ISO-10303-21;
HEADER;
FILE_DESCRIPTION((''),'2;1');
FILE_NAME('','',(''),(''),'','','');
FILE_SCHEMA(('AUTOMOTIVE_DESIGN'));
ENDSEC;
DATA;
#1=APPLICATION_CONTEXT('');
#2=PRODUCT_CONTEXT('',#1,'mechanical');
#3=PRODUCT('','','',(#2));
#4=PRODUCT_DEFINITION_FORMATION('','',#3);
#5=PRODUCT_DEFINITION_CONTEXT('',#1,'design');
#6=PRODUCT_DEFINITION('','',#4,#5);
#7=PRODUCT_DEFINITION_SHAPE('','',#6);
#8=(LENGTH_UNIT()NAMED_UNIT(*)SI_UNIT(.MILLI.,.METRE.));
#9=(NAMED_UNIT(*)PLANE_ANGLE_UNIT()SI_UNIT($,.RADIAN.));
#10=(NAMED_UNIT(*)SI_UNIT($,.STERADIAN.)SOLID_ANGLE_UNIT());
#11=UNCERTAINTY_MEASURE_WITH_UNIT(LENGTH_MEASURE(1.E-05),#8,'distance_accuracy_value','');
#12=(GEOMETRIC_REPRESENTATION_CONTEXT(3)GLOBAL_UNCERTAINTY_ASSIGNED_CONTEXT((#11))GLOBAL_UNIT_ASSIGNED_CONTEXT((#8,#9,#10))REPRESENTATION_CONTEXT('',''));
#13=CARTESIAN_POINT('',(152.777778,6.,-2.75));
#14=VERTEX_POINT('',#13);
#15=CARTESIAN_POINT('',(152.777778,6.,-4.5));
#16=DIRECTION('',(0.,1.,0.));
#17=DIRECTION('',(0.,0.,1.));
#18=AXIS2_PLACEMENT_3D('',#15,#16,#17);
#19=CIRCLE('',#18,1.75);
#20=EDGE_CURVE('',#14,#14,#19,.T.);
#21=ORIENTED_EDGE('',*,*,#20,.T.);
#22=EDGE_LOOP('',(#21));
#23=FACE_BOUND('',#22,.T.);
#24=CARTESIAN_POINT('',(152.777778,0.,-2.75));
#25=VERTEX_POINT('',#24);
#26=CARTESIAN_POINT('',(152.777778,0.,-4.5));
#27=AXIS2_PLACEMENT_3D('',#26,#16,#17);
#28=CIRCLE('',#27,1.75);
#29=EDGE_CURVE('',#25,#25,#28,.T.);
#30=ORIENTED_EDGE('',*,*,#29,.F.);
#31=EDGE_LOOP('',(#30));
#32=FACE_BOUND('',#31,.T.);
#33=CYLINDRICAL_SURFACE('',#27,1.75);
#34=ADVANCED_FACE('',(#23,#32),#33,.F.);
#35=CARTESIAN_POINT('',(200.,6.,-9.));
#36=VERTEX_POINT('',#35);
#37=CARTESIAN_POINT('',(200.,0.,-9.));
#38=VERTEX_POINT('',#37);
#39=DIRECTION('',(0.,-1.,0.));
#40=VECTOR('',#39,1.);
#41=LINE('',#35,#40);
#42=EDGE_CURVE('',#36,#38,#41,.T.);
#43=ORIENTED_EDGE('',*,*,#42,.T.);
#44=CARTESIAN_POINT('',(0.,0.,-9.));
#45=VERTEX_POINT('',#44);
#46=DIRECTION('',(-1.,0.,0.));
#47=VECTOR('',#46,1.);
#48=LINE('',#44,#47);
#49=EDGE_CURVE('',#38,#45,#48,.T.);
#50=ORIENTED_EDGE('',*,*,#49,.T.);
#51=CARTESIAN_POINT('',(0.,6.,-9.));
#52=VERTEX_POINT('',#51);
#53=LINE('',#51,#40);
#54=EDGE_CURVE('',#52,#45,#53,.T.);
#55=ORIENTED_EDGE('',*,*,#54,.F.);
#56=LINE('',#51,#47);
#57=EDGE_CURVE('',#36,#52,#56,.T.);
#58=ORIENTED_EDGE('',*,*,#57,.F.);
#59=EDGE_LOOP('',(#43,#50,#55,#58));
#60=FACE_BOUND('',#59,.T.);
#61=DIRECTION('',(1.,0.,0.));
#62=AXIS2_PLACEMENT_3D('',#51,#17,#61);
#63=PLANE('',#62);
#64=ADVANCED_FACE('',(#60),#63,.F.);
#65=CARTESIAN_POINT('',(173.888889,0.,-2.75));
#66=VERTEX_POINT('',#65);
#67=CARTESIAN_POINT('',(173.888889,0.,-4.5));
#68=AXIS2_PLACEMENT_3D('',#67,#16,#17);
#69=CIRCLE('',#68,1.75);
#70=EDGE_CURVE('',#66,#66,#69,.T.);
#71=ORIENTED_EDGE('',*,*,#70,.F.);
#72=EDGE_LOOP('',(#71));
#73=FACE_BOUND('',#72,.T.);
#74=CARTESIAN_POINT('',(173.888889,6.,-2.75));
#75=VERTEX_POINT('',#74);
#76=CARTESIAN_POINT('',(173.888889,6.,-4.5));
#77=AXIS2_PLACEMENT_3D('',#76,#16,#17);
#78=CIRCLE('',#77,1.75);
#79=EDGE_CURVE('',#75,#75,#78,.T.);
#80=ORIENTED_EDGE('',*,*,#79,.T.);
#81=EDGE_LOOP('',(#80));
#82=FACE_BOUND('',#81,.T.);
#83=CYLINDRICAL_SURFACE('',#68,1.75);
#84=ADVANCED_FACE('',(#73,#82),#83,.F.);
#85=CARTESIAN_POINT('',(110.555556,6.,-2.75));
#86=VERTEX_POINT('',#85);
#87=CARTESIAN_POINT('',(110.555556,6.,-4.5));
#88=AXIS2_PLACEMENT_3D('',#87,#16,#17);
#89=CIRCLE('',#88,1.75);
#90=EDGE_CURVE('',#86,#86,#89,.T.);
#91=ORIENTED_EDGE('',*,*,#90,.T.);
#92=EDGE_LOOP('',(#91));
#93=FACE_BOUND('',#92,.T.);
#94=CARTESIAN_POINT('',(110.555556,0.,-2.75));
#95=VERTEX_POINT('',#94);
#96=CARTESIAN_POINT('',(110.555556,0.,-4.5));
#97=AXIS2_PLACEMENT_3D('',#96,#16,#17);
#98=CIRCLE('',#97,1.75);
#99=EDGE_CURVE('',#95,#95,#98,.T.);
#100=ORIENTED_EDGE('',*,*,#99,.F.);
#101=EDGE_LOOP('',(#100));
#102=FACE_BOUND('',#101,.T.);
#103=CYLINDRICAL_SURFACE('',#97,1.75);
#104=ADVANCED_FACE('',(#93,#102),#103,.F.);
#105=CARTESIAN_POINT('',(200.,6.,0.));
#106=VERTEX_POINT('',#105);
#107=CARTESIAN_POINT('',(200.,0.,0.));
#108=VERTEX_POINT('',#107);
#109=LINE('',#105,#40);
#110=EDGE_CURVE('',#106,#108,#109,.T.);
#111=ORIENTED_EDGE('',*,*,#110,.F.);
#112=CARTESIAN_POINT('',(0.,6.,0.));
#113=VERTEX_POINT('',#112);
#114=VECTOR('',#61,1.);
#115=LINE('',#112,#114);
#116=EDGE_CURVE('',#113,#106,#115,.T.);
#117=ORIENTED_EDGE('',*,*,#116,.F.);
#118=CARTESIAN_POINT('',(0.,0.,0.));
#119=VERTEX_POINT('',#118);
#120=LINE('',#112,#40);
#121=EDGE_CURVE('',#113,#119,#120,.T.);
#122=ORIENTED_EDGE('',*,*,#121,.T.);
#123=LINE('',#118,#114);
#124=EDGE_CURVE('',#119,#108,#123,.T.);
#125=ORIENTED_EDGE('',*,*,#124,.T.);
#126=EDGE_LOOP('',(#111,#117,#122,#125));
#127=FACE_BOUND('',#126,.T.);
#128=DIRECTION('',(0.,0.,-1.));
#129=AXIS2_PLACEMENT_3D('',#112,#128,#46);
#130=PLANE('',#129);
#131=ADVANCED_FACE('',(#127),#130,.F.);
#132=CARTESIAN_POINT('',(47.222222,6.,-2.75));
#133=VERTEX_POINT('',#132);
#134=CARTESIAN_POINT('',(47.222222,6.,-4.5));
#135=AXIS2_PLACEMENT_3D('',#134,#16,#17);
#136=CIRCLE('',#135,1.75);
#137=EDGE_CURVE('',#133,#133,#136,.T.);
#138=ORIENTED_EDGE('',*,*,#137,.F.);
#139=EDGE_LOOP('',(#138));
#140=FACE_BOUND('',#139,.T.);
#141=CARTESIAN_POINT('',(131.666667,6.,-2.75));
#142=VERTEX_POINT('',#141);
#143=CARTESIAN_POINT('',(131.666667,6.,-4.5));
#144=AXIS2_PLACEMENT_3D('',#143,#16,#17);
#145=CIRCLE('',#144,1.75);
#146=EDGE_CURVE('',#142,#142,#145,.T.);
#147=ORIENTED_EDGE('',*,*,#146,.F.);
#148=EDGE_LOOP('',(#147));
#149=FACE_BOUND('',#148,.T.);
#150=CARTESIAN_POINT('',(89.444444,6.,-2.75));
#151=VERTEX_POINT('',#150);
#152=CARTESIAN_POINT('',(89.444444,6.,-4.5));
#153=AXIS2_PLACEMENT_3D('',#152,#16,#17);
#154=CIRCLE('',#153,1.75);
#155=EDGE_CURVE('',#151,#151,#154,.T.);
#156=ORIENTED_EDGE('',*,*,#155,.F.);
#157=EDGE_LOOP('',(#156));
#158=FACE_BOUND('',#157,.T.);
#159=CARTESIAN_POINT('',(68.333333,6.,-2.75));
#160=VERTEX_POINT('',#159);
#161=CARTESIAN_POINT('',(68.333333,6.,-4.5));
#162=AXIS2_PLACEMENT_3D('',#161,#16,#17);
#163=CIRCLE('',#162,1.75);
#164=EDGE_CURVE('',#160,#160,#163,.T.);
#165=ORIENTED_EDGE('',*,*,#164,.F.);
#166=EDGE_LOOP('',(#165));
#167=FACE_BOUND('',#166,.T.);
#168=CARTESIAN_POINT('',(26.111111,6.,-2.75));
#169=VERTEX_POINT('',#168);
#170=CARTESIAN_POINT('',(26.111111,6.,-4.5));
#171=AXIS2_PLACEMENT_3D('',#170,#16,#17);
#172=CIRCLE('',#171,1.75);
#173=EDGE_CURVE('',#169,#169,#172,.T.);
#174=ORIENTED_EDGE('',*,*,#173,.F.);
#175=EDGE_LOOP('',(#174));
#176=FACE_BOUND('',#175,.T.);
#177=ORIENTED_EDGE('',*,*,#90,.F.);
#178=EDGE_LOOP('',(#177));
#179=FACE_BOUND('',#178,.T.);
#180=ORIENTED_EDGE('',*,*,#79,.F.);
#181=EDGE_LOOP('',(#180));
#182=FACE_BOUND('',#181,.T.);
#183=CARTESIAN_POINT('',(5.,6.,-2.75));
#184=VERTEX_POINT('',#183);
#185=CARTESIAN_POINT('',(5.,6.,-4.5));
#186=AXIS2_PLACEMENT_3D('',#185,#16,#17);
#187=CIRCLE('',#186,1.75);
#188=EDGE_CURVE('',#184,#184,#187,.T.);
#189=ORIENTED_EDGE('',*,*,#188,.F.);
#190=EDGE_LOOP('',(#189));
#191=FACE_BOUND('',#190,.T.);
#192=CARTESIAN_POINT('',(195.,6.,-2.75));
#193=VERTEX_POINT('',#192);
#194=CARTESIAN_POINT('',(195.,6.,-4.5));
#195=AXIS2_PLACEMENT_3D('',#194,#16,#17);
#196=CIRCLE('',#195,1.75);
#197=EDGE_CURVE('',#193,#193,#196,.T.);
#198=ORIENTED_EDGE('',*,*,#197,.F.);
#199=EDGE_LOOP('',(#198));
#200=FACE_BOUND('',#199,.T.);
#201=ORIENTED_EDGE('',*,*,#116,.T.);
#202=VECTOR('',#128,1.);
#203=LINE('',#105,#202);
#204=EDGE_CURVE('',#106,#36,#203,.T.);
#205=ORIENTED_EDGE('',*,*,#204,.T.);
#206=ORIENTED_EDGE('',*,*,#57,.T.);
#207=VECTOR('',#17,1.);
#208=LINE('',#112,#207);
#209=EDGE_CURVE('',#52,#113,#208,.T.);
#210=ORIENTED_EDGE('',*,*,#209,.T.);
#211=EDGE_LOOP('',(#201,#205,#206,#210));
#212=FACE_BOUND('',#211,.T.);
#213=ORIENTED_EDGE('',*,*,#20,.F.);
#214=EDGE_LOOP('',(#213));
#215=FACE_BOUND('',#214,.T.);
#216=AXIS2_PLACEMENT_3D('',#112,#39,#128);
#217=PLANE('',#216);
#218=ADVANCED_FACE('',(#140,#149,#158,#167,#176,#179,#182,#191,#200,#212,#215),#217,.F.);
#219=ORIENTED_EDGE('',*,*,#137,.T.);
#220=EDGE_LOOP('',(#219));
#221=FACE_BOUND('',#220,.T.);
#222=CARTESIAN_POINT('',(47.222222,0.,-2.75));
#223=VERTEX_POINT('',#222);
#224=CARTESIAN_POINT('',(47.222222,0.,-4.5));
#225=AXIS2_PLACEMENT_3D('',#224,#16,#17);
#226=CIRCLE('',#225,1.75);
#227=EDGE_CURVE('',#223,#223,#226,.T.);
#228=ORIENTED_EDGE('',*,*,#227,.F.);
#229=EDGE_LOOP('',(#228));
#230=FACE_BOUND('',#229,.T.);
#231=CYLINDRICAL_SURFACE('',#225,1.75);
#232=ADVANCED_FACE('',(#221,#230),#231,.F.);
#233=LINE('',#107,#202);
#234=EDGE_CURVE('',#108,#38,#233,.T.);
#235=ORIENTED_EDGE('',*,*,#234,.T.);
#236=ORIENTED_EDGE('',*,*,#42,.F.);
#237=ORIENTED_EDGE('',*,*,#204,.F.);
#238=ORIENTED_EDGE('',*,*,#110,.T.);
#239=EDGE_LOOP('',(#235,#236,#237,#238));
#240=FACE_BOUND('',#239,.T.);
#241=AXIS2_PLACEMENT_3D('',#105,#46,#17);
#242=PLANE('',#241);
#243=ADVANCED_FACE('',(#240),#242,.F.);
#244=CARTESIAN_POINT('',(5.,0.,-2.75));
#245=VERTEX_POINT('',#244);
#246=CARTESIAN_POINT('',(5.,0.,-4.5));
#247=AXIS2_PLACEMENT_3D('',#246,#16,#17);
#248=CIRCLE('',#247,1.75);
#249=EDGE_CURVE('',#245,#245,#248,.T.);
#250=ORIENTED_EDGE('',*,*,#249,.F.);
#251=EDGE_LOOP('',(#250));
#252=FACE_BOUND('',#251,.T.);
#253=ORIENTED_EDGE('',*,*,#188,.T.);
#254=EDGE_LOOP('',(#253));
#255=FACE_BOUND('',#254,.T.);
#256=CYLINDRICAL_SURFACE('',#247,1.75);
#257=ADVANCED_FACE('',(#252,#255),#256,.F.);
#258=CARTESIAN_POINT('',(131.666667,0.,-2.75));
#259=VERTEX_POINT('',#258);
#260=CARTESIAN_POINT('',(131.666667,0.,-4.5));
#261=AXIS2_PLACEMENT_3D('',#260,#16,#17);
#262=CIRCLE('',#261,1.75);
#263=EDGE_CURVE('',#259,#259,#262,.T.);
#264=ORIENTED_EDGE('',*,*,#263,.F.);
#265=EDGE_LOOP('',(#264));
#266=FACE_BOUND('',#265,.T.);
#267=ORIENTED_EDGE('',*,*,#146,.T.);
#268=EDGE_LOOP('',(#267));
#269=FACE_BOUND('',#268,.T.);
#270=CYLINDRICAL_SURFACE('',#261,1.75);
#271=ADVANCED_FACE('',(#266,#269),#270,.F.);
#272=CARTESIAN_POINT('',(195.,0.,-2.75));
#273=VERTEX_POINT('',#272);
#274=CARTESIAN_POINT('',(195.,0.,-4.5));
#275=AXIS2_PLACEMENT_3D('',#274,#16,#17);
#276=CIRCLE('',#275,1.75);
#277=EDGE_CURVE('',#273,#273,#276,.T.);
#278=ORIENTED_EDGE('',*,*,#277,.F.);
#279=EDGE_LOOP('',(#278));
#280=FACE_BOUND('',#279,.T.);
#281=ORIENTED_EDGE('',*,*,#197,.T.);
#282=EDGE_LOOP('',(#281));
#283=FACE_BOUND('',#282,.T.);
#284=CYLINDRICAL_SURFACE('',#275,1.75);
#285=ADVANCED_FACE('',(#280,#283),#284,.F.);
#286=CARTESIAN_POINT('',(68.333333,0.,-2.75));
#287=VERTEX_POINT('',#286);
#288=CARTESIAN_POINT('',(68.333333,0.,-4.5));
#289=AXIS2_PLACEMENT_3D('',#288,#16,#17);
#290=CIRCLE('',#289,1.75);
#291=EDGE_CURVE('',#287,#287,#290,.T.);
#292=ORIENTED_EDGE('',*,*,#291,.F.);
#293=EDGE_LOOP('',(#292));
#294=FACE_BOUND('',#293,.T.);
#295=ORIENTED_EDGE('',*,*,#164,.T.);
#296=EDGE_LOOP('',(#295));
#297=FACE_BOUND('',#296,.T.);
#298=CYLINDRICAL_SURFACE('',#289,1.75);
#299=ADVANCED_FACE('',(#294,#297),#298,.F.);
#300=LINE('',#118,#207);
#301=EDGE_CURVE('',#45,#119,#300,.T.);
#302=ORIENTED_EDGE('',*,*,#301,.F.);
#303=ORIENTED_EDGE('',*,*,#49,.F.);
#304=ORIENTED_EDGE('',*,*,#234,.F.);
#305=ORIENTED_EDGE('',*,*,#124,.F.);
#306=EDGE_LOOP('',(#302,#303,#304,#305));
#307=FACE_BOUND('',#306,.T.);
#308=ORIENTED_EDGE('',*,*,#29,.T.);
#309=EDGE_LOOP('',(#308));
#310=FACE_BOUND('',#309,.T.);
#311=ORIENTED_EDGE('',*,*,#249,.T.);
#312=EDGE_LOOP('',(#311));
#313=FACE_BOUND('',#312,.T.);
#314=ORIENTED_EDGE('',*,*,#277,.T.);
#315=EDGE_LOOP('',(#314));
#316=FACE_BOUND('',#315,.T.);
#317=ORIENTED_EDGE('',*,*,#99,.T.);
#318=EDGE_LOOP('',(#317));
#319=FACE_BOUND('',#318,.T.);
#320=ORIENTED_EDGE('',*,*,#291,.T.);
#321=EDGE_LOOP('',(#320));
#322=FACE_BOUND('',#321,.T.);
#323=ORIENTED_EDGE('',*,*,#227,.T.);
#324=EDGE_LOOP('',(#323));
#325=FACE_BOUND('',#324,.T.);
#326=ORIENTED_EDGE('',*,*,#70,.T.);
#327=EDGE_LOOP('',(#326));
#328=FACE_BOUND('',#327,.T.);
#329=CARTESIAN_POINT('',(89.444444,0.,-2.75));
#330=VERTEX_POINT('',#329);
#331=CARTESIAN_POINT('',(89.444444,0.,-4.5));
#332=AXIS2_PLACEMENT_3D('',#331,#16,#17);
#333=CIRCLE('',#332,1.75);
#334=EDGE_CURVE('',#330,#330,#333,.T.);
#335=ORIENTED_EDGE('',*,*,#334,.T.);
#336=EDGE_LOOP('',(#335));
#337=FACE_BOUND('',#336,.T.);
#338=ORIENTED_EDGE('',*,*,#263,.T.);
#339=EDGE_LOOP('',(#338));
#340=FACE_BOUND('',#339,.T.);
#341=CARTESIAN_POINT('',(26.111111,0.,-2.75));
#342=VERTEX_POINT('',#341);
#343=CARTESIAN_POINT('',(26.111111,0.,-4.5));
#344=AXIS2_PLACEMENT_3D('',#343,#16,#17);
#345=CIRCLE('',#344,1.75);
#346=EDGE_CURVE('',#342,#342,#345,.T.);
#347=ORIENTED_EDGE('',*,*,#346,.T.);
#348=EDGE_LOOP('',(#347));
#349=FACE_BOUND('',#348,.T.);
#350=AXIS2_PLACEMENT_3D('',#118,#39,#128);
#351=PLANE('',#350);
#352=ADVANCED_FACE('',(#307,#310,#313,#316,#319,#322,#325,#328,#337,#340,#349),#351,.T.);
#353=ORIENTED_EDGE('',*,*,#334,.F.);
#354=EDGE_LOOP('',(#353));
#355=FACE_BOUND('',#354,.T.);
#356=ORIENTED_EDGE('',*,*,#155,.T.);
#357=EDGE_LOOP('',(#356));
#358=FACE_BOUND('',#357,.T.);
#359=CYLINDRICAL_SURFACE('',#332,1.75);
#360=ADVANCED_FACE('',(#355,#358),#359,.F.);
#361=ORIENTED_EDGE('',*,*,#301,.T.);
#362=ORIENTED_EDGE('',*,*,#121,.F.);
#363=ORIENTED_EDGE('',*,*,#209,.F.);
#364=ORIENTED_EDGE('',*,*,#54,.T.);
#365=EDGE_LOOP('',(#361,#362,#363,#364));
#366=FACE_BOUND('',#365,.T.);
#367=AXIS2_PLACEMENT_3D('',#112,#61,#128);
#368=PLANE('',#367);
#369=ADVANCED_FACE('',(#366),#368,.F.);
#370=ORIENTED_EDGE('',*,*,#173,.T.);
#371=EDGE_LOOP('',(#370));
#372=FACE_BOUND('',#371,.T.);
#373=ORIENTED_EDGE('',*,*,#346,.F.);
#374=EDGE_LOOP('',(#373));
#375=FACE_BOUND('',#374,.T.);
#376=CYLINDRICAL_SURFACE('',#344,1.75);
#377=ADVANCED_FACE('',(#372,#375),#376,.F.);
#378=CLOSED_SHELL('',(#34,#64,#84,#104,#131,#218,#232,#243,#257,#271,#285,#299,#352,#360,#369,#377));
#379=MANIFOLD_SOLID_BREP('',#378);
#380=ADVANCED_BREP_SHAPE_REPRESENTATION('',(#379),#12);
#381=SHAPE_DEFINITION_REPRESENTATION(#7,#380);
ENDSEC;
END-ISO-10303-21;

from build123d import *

# Parameters (mm, degrees)
SKETCH1_W           = 200
SKETCH1_H           = 9
BOSS_EXTRUDE1_DEPTH = 6
SKETCH2_R           = 1.75
CUT_EXTRUDE1_DEPTH  = 6
LPATTERN1_COUNT     = 10
LPATTERN1_PITCH     = 21.111111111


with BuildPart() as part:
    # Sketch1 → Boss-Extrude1 (new body)
    with BuildSketch(Plane(origin=(0, 0, 0), x_dir=(1, 0, 0), z_dir=(0, 1, 0))):
        with Locations((100, 4.5)):
            Rectangle(SKETCH1_W, SKETCH1_H)
    extrude(amount=BOSS_EXTRUDE1_DEPTH)

    # Sketch2 → Cut-Extrude1 (cut)
    with BuildSketch(Plane(origin=(0, 6, 0), x_dir=(1, 0, 0), z_dir=(0, 1, 0))):
        with Locations((5, 4.5)):
            Circle(SKETCH2_R)
    cut_extrude1 = extrude(amount=-CUT_EXTRUDE1_DEPTH, mode=Mode.SUBTRACT)

    # LPattern1: Cut-Extrude1 ×10
    with Locations(*[(i * LPATTERN1_PITCH, 0, 0) for i in range(1, LPATTERN1_COUNT)]):
        add(cut_extrude1, mode=Mode.SUBTRACT)


solid = part.part
